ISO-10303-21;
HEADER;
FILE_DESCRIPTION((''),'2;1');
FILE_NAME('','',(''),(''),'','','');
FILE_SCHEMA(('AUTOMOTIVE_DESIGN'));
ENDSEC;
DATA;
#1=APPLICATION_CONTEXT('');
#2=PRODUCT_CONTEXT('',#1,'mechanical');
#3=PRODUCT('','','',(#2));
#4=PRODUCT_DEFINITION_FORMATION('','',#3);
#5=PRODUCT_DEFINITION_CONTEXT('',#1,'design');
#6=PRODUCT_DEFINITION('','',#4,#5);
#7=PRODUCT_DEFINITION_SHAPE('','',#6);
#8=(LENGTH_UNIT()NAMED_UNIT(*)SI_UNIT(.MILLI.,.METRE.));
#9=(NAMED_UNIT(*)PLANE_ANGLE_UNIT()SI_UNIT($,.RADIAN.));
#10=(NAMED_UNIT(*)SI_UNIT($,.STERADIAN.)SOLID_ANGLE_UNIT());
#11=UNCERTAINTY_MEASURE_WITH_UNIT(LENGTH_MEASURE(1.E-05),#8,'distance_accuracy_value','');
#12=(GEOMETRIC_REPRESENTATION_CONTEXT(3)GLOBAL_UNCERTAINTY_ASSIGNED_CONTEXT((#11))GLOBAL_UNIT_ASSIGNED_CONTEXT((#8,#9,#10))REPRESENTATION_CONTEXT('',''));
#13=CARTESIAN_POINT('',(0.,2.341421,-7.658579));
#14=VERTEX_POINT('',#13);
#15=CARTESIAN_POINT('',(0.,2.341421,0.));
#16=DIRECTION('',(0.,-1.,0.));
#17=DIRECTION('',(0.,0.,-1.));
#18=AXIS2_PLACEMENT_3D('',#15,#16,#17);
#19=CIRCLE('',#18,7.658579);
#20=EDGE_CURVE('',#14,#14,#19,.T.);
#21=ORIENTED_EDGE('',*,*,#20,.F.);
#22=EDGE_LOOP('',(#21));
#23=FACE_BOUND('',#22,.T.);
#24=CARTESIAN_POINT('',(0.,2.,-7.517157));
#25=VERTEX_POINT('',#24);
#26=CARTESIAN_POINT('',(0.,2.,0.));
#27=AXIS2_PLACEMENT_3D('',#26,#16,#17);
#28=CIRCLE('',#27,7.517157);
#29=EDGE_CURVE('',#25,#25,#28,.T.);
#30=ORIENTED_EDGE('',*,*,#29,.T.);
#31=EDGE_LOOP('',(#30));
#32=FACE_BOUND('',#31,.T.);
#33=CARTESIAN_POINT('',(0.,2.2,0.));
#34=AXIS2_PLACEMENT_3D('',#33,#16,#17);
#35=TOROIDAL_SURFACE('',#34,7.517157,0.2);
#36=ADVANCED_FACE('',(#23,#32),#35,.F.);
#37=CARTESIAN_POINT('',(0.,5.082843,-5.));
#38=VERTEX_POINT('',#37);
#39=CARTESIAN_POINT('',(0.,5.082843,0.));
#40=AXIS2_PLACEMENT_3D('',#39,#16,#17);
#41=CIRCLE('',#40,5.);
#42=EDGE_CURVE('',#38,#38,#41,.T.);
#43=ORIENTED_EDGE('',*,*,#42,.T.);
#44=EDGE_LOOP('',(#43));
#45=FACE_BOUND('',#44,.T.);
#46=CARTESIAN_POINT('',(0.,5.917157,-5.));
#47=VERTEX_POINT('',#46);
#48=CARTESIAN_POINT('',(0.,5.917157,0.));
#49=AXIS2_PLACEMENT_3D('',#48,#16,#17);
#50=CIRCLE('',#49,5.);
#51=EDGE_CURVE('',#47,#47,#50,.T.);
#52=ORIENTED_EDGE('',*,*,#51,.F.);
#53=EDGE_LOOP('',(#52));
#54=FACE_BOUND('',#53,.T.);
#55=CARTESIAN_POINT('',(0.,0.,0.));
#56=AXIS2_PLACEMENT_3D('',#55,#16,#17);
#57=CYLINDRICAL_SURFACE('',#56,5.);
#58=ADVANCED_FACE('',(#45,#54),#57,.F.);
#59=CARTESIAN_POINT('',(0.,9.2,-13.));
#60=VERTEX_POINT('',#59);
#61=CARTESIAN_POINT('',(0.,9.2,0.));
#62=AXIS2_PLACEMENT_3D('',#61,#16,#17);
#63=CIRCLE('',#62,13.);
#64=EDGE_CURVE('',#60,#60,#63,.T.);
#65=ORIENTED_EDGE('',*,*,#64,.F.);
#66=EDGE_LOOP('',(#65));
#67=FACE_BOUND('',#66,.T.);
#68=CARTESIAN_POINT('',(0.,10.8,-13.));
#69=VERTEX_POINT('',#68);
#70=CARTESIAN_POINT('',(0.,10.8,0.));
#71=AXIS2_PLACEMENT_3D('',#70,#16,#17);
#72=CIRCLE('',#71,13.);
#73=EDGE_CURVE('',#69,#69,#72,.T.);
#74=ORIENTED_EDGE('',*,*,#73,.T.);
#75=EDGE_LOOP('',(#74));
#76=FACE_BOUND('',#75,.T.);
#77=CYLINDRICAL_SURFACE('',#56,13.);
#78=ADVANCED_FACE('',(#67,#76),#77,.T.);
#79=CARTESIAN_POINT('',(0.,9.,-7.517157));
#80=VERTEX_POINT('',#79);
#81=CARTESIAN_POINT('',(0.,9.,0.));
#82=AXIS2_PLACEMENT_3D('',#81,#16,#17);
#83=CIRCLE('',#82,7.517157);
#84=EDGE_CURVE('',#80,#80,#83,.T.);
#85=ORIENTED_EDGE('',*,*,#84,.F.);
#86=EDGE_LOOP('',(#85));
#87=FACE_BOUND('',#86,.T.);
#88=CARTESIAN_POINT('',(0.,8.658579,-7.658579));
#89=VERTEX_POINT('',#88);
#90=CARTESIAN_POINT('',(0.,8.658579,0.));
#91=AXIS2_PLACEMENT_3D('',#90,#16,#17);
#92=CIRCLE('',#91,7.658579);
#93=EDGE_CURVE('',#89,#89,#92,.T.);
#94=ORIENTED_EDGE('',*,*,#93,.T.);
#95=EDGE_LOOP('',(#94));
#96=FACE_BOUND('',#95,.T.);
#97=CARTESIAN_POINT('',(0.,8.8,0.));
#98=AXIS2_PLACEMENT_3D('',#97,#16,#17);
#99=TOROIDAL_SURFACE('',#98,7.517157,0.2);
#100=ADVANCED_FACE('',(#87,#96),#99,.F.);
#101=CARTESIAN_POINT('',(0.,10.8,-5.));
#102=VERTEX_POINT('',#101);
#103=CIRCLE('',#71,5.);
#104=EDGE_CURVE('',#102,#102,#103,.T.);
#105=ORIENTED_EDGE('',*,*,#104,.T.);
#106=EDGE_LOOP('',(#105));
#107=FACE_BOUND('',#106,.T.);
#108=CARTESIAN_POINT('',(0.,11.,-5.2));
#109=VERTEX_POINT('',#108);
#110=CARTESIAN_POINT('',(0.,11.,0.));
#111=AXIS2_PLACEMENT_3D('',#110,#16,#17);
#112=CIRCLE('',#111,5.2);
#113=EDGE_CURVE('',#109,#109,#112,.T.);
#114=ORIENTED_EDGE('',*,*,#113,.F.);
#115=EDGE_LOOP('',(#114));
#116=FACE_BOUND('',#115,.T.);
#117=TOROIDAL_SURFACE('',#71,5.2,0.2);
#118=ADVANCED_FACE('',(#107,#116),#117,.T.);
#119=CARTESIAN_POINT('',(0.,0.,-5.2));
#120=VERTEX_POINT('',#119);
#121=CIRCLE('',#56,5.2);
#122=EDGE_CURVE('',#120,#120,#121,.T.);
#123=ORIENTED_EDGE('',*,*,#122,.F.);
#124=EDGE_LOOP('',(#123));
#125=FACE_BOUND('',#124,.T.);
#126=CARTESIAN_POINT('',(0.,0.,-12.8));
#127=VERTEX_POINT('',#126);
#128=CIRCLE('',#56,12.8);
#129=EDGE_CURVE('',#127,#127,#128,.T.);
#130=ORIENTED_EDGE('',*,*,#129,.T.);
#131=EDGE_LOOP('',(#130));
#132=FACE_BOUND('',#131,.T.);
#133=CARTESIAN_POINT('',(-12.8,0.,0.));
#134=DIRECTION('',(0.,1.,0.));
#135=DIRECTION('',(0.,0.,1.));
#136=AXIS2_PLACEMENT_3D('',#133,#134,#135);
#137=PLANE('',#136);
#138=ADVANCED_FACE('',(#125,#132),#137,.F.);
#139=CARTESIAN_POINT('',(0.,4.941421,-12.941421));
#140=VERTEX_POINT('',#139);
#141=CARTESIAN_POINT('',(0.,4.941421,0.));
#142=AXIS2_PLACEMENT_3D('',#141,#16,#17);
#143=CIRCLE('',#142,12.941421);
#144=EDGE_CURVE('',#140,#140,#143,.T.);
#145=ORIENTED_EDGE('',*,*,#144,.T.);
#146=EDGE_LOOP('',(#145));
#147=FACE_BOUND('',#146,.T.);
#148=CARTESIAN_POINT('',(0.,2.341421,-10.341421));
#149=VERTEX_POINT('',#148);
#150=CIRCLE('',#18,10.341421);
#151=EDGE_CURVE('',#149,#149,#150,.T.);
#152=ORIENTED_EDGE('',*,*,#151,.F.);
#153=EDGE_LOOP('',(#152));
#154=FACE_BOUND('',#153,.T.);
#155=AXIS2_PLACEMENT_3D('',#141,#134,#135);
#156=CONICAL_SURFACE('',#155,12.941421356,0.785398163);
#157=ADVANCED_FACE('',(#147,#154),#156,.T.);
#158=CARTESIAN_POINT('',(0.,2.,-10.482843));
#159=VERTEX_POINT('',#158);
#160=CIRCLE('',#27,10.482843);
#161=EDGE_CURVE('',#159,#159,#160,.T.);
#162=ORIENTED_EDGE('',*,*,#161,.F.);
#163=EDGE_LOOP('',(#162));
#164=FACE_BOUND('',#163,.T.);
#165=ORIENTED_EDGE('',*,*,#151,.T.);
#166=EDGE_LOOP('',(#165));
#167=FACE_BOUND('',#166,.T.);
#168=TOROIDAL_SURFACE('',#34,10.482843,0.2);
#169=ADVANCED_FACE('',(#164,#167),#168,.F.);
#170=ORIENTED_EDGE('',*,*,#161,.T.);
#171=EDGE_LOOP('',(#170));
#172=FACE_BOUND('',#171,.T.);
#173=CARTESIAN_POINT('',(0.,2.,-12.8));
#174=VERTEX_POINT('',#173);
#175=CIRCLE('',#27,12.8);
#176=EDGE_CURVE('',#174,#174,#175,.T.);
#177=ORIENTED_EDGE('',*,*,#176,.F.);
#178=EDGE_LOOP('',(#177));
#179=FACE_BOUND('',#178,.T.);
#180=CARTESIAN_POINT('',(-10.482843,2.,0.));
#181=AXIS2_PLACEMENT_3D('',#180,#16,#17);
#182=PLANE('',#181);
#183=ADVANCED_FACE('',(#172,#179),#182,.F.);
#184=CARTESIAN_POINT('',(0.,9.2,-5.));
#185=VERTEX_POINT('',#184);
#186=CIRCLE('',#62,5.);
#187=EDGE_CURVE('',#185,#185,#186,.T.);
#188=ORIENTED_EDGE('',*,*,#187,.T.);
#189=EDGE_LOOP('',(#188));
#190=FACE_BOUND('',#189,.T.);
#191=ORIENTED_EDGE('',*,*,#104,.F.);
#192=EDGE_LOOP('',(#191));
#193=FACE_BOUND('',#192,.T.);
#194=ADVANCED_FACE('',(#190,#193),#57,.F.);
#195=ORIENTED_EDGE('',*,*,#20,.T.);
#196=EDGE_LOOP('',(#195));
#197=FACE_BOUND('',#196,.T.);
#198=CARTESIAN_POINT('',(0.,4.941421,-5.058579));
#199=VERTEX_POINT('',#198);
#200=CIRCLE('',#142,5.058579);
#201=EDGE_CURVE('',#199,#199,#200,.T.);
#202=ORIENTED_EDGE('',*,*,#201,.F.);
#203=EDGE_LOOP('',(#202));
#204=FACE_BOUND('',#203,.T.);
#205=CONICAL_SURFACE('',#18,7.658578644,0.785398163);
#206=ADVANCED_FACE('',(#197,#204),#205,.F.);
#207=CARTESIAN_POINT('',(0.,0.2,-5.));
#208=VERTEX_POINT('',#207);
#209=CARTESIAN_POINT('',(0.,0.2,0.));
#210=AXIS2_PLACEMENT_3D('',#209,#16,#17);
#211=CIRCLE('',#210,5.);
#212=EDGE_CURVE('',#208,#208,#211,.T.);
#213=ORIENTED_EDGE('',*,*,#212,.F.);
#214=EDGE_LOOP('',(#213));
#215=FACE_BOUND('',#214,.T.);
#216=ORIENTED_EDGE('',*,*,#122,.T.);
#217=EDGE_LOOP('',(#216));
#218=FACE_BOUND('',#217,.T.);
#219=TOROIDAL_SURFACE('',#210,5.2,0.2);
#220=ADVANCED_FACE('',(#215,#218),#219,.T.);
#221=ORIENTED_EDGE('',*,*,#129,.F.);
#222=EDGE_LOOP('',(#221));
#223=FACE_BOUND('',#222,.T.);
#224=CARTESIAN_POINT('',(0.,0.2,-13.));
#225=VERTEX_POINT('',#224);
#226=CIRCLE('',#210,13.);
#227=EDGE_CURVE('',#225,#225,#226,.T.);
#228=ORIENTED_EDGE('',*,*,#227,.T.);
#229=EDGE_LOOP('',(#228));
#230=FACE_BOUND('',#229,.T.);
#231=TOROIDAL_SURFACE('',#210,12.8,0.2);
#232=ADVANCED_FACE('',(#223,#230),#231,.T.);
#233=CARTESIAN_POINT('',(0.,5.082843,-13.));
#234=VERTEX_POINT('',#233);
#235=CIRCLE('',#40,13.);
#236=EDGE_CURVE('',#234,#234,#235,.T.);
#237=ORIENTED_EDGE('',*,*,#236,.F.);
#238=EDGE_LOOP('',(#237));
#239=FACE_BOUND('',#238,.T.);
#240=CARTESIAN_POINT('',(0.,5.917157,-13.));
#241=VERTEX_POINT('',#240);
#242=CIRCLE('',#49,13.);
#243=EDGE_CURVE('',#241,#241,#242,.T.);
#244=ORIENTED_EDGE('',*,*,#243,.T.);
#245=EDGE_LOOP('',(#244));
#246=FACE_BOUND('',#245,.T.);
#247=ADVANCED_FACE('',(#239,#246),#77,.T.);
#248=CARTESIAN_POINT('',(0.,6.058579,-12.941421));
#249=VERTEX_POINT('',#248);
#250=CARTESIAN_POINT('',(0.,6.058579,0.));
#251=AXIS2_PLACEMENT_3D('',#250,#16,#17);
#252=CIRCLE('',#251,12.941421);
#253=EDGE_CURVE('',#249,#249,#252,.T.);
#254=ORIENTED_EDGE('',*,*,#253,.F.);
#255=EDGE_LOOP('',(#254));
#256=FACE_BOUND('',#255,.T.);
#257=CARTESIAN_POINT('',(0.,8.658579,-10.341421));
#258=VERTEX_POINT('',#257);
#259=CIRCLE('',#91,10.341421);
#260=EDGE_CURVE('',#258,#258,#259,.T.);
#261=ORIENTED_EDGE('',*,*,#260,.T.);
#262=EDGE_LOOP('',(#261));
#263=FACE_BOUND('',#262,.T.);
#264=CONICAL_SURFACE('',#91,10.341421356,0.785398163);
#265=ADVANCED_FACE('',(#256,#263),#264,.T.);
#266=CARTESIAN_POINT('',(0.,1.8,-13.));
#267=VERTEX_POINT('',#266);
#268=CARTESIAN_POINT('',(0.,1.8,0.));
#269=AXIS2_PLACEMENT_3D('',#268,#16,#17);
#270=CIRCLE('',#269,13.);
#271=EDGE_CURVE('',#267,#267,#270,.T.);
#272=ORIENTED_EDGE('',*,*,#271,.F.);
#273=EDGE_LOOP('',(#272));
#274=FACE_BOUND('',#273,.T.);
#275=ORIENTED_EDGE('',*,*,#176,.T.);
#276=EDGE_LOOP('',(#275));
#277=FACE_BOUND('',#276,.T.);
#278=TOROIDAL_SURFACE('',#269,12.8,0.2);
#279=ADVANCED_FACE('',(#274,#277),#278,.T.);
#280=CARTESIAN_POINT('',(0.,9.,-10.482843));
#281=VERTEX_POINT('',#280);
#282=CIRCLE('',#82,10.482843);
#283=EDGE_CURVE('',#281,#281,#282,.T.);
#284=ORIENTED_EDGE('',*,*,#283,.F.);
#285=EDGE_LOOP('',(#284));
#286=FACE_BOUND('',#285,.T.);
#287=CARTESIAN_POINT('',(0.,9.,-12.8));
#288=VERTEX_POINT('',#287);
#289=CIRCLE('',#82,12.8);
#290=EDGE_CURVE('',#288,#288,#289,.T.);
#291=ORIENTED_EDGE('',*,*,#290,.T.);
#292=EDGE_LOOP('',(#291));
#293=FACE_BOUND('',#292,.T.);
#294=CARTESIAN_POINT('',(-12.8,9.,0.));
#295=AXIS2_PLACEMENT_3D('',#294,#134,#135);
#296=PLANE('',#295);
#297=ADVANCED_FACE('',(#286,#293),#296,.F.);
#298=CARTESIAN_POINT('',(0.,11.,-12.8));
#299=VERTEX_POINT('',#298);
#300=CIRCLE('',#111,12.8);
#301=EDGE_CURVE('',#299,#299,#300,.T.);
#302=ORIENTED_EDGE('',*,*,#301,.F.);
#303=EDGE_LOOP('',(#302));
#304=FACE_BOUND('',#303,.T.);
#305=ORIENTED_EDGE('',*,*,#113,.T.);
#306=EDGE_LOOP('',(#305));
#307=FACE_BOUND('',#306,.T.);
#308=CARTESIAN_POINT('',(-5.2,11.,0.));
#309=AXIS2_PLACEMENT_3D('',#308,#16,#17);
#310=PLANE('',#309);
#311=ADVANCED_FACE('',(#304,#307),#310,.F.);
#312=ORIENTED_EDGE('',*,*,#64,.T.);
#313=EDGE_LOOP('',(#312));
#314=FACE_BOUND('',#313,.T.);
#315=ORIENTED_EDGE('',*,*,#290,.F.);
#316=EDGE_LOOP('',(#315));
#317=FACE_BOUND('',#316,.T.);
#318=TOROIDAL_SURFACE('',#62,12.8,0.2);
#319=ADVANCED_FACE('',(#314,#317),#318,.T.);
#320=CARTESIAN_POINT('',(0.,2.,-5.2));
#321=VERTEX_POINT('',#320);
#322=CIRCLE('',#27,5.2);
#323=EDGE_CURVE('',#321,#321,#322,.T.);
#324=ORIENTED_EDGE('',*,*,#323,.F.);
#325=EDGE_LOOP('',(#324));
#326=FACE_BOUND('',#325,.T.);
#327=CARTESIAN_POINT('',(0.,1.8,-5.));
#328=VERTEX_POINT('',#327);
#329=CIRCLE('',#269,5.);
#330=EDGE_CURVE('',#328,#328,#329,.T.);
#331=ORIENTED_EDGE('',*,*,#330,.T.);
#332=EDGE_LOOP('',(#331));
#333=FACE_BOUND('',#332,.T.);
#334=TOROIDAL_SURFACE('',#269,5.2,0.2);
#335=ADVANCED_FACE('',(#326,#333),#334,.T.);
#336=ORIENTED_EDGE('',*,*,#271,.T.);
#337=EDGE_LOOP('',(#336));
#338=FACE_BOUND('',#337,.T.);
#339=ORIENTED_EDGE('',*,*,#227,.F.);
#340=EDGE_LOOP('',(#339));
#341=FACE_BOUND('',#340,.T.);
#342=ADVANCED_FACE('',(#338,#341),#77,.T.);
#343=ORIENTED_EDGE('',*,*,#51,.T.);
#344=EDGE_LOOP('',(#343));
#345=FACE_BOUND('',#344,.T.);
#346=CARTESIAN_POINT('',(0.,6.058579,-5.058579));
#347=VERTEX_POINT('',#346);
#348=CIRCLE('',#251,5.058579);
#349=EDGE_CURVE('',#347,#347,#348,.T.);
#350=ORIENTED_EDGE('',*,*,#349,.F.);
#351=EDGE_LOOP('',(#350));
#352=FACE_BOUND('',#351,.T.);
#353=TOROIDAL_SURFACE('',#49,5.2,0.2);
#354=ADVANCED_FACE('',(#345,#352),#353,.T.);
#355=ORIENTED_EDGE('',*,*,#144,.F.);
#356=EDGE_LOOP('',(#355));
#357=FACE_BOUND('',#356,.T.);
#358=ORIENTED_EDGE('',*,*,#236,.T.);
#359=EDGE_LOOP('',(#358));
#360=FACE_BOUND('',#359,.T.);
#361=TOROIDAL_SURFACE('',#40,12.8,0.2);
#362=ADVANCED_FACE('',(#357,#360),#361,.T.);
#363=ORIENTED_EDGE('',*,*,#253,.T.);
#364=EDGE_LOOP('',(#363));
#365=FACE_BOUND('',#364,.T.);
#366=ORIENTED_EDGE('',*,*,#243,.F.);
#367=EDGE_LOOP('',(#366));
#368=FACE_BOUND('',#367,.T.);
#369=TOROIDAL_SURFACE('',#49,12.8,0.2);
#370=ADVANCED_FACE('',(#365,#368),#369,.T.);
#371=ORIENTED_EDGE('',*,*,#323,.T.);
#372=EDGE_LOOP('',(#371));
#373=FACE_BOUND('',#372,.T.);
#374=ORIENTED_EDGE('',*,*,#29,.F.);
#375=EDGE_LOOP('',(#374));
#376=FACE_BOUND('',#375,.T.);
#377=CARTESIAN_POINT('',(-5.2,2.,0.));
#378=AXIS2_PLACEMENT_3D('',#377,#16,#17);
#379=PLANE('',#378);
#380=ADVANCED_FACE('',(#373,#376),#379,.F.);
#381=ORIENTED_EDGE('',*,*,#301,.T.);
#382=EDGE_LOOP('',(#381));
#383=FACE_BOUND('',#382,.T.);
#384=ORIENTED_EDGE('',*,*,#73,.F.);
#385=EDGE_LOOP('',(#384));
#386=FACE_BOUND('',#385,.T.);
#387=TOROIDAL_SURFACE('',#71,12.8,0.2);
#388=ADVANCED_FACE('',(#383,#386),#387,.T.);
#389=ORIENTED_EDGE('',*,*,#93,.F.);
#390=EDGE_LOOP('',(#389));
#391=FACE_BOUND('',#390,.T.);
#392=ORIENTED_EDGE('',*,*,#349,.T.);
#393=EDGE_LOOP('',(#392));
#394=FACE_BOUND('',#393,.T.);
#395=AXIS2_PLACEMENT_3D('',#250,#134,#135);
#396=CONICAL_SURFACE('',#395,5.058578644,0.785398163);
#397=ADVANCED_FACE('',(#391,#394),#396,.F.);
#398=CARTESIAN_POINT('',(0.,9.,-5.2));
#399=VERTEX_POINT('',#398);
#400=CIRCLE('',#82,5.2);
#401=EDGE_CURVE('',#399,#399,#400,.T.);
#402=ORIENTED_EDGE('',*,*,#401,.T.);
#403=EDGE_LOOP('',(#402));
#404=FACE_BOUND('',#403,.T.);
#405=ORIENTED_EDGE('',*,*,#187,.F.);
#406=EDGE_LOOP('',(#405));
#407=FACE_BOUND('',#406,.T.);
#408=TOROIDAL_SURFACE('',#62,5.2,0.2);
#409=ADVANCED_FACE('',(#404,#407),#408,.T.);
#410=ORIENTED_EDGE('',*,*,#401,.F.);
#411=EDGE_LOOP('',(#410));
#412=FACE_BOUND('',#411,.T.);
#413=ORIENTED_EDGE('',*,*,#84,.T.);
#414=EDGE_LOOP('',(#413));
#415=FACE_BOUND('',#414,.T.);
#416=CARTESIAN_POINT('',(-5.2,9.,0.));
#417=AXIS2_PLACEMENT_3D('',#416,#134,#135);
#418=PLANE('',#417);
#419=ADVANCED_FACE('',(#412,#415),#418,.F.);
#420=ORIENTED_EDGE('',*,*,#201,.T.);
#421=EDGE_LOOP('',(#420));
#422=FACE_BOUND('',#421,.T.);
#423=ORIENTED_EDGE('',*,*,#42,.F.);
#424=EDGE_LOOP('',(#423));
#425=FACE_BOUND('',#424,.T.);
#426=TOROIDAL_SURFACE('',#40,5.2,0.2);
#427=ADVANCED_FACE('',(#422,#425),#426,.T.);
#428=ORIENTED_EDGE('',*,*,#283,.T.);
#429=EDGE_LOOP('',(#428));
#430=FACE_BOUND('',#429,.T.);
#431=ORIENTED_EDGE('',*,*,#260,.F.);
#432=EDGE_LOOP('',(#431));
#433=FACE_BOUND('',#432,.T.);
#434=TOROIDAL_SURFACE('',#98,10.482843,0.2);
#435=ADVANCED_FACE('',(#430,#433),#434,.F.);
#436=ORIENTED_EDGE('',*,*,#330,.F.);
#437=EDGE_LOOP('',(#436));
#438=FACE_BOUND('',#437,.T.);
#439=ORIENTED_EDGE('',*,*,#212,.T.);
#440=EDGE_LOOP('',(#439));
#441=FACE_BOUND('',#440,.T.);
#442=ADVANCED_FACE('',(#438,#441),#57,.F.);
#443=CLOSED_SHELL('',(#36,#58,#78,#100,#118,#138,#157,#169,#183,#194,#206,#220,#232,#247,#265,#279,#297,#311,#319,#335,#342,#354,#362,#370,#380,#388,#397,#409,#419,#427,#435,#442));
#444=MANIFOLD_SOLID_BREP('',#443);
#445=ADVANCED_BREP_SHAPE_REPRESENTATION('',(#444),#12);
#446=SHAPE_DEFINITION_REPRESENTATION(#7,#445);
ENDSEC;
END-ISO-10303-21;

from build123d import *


with BuildPart() as part:
    # 草图1 → 旋转1 (revolve)
    with BuildSketch(Plane.XY):
        with BuildLine():
            Line((-5, 0.2), (-5, 1.8))
            ThreePointArc((-5, 1.8), (-5.058578644, 1.941421356), (-5.2, 2))
            Line((-5.2, 2), (-7.517157288, 2))
            ThreePointArc((-7.517157288, 2), (-7.701933194, 2.123463314), (-7.658578644, 2.341421356))
            Line((-7.658578644, 2.341421356), (-5.058578644, 4.941421356))
            ThreePointArc((-5.058578644, 4.941421356), (-5.015224093, 5.006306026), (-5, 5.082842712))
            Line((-5, 5.082842712), (-5, 5.917157288))
            ThreePointArc((-5, 5.917157288), (-5.015224093, 5.993693974), (-5.058578644, 6.058578644))
            Line((-5.058578644, 6.058578644), (-7.658578644, 8.658578644))
            ThreePointArc((-7.658578644, 8.658578644), (-7.701933194, 8.876536686), (-7.517157288, 9))
            Line((-7.517157288, 9), (-5.2, 9))
            ThreePointArc((-5.2, 9), (-5.058578644, 9.058578644), (-5, 9.2))
            Line((-5, 9.2), (-5, 10.8))
            ThreePointArc((-5, 10.8), (-5.058578644, 10.941421356), (-5.2, 11))
            Line((-5.2, 11), (-12.8, 11))
            ThreePointArc((-12.8, 11), (-12.941421356, 10.941421356), (-13, 10.8))
            Line((-13, 10.8), (-13, 9.2))
            ThreePointArc((-13, 9.2), (-12.941421356, 9.058578644), (-12.8, 9))
            Line((-12.8, 9), (-10.482842712, 9))
            ThreePointArc((-10.482842712, 9), (-10.298066806, 8.876536686), (-10.341421356, 8.658578644))
            Line((-10.341421356, 8.658578644), (-12.941421356, 6.058578644))
            ThreePointArc((-12.941421356, 6.058578644), (-12.984775907, 5.993693974), (-13, 5.917157288))
            Line((-13, 5.917157288), (-13, 5.082842712))
            ThreePointArc((-13, 5.082842712), (-12.984775907, 5.006306026), (-12.941421356, 4.941421356))
            Line((-12.941421356, 4.941421356), (-10.341421356, 2.341421356))
            ThreePointArc((-10.341421356, 2.341421356), (-10.298066806, 2.123463314), (-10.482842712, 2))
            Line((-10.482842712, 2), (-12.8, 2))
            ThreePointArc((-12.8, 2), (-12.941421356, 1.941421356), (-13, 1.8))
            Line((-13, 1.8), (-13, 0.2))
            ThreePointArc((-13, 0.2), (-12.941421356, 0.058578644), (-12.8, 0))
            Line((-12.8, 0), (-5.2, 0))
            ThreePointArc((-5.2, 0), (-5.058578644, 0.058578644), (-5, 0.2))
        make_face()
    revolve(axis=Axis((0, 0, 0), (0, 1, 0)))


solid = part.part
